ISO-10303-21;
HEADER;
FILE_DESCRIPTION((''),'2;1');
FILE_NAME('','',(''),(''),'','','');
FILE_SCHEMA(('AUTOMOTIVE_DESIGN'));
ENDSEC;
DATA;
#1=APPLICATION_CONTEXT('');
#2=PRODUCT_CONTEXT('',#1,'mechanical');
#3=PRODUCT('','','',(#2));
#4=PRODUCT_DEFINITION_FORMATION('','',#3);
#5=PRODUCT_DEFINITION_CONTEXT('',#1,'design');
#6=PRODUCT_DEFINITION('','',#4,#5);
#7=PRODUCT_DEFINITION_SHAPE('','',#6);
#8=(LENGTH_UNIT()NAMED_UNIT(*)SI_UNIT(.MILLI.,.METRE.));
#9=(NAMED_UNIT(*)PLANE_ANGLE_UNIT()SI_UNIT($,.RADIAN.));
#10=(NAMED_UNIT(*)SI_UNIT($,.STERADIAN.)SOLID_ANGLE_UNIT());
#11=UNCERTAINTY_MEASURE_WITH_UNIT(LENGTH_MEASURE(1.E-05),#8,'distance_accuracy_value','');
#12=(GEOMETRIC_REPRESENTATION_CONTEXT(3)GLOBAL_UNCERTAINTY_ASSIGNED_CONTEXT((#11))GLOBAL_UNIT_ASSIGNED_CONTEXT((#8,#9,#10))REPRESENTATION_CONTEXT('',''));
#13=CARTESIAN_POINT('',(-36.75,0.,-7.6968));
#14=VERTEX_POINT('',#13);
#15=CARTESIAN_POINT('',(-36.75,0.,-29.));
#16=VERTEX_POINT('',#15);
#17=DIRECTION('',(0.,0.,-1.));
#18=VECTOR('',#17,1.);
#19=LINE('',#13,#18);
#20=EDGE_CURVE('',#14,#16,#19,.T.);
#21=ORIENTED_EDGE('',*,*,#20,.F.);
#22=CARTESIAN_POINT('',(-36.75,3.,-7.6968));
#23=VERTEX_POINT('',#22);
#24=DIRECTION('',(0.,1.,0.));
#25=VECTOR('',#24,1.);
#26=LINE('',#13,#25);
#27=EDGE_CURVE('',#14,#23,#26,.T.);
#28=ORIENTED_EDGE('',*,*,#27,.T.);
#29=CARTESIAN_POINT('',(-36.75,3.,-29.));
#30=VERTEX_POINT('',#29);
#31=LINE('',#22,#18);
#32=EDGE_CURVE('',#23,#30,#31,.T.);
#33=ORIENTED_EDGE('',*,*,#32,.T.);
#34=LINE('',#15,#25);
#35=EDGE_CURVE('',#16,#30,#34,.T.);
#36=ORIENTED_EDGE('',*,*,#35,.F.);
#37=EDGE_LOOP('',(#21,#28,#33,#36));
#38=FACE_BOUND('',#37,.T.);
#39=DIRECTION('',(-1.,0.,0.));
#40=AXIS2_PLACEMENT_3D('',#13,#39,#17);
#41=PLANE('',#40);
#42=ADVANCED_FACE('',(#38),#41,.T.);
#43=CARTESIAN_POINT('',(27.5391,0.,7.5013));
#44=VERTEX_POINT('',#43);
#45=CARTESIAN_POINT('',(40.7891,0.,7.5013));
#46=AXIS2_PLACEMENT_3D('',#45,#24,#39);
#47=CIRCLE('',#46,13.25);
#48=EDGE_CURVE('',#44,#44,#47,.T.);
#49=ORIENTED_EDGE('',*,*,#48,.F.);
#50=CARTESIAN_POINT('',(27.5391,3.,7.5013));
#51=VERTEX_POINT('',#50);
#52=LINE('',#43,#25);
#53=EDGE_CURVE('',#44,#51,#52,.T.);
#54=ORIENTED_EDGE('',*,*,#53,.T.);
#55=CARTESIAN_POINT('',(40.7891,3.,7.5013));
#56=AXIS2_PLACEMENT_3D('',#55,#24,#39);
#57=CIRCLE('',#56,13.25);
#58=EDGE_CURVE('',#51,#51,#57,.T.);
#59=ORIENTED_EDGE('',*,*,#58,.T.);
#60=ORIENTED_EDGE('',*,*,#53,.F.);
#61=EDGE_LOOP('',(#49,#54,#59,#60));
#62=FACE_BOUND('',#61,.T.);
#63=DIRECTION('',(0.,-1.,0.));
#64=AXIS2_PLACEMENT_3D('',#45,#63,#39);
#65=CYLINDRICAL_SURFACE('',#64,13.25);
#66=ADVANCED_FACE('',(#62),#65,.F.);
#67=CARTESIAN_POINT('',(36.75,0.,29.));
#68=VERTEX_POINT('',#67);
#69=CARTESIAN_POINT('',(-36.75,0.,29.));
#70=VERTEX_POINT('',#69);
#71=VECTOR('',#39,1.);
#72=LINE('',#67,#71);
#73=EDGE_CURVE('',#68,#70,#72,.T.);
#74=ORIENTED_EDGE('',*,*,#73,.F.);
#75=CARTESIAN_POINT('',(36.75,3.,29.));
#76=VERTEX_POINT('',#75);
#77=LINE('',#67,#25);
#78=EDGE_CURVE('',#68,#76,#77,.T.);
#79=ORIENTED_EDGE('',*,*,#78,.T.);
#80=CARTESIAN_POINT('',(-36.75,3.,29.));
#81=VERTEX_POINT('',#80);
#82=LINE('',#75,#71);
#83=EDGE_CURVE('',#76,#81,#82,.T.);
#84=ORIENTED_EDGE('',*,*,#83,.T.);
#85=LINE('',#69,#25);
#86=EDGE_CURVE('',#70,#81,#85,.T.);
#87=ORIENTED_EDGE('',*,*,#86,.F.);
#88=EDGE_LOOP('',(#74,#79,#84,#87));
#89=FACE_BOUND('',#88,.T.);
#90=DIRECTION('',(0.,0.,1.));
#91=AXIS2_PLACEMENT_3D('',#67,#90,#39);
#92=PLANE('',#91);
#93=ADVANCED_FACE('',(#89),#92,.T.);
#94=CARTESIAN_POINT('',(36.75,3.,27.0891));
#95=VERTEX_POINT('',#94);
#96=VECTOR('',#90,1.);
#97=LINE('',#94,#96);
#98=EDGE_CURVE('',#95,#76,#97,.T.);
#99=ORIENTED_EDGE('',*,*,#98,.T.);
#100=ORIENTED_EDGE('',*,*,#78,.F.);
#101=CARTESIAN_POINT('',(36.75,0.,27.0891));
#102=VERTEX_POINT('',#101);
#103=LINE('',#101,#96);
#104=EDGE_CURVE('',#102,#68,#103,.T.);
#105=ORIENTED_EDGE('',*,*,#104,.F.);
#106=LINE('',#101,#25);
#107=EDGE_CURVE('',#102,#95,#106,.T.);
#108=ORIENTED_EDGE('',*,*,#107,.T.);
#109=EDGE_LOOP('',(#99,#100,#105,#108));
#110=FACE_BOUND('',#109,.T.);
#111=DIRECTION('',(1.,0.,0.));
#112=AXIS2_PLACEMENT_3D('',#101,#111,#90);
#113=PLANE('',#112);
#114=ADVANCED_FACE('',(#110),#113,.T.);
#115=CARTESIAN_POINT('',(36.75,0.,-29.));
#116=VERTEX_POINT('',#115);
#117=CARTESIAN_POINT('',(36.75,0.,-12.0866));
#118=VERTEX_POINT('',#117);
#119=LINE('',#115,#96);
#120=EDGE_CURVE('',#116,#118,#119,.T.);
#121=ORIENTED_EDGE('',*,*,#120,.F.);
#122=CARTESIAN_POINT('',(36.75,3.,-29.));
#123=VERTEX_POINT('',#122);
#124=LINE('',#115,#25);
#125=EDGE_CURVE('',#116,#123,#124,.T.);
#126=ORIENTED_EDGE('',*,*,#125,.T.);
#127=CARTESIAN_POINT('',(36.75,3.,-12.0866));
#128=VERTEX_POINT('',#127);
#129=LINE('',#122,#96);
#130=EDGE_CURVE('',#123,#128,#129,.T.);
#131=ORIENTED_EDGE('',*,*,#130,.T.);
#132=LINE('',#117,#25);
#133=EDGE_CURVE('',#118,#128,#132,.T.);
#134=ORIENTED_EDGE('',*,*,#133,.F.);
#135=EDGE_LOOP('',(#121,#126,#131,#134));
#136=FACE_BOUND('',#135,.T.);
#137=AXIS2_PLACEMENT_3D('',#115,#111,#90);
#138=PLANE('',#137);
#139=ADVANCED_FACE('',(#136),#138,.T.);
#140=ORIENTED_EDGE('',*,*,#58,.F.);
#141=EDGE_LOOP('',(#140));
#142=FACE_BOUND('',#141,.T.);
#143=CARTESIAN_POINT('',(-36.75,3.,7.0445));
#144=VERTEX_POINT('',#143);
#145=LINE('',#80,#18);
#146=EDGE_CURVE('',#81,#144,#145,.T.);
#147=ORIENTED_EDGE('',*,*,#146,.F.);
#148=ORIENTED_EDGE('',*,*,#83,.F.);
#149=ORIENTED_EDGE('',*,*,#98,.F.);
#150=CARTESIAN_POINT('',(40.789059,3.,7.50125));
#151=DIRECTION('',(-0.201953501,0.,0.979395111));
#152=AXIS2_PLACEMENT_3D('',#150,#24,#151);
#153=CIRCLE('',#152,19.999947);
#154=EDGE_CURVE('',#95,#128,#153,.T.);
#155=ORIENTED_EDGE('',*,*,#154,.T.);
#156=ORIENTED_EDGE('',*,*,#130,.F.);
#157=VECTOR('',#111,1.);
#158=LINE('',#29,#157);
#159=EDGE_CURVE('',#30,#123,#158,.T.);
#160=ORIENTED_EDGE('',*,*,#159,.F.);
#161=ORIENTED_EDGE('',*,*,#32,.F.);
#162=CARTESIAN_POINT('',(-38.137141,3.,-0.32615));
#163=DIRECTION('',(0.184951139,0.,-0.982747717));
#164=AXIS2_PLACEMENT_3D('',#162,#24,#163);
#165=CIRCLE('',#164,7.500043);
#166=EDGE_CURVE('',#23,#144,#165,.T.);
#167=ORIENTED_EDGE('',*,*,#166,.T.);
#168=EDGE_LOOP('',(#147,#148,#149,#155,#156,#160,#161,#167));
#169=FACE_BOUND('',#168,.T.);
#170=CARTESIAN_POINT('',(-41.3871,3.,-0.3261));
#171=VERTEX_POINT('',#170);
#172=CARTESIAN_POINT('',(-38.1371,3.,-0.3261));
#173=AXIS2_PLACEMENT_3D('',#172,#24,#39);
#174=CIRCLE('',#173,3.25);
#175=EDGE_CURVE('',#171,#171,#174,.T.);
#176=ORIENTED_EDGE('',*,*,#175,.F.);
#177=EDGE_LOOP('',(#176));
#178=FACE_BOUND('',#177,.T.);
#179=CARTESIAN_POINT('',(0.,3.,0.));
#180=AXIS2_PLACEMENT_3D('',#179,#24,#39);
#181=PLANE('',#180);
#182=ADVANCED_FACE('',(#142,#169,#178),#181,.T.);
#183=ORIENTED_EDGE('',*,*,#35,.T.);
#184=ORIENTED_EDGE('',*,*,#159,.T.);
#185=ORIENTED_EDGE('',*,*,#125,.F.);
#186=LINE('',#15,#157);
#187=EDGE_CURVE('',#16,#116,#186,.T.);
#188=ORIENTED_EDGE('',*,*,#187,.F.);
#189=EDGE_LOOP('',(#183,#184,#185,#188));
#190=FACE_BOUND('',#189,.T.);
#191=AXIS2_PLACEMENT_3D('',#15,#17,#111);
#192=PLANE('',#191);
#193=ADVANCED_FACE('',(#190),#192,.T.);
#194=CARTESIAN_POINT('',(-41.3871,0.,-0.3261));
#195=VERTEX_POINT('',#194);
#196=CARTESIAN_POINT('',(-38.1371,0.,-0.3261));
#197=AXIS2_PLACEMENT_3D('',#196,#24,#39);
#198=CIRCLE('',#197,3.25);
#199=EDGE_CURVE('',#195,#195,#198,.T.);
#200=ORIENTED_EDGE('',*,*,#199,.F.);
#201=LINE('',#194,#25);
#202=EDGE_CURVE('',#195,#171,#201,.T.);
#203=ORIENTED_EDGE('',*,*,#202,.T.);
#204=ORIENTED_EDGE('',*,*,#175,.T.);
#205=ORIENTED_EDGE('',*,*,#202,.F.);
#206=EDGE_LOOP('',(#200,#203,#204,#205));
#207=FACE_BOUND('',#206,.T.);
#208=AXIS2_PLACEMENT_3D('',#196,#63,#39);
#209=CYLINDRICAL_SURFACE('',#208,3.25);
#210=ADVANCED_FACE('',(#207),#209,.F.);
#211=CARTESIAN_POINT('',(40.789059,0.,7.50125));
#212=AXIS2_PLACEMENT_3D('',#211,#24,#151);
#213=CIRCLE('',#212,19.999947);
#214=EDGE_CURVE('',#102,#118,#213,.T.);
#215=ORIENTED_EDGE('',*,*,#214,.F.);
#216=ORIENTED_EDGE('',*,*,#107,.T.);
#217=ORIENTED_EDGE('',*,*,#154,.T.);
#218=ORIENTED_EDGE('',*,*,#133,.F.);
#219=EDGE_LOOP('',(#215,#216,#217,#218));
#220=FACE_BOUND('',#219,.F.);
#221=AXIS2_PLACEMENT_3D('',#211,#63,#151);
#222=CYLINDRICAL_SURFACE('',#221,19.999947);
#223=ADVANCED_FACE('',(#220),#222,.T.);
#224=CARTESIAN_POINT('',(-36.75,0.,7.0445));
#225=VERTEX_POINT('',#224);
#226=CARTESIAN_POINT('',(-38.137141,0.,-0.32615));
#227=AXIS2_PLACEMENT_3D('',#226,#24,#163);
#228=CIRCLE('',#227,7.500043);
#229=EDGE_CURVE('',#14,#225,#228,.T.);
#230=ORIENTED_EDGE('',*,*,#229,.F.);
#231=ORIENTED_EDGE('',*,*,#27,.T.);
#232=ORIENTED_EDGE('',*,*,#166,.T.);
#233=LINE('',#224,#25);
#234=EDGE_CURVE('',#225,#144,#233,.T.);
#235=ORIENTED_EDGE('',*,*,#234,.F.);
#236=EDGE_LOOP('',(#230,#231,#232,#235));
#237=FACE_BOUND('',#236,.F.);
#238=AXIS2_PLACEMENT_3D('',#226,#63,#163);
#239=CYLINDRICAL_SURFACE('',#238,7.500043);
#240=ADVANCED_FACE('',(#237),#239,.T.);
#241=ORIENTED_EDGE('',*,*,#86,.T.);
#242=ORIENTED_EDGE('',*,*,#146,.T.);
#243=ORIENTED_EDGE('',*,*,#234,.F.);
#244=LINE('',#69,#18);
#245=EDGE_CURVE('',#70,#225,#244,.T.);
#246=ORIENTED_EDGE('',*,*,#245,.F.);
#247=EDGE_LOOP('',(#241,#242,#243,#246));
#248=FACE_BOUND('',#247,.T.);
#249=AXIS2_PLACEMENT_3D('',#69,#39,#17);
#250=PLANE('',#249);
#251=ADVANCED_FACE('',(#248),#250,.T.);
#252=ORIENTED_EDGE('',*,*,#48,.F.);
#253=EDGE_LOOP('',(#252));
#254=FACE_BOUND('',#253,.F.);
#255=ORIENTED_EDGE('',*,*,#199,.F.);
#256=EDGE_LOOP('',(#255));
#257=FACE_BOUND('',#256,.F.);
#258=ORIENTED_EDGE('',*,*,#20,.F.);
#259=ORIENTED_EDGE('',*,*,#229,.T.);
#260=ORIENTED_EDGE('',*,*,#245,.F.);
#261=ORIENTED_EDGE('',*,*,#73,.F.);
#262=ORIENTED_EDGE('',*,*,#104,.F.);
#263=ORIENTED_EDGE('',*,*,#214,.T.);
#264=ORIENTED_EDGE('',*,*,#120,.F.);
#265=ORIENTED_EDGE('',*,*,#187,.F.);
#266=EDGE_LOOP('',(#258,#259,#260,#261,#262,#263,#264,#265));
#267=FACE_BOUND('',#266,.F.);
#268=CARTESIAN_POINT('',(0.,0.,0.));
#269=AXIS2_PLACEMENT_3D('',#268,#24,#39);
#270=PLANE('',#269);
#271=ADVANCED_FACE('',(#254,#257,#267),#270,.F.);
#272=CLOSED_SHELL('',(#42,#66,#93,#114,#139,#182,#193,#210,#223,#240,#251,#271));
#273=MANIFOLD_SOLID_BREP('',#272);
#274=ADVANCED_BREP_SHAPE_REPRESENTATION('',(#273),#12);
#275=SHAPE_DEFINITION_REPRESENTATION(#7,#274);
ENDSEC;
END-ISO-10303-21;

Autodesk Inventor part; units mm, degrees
ref_plane "YZ Plane" through (0, 0, 0) normal (1, 0, 0) x (0, 1, 0)
ref_plane "XZ Plane" through (0, 0, 0) normal (0, 1, 0) x (-1, 0, 0)
ref_plane "XY Plane" through (0, 0, 0) normal (0, 0, 1) x (1, 0, 0)
sketch "Sketch1" plane through (0, 0, 0) normal (0, 1, 0) x (-1, 0, 0)
  line L0 (36.75, 29) -> (36.75, 7.0445)
  line L1 (36.75, -29) -> (-36.75, -29)
  line L2 (-36.75, -29) -> (-36.75, -12.0866)
  line L3 (-36.75, 29) -> (36.75, 29)
  line L4 (36.75, 29) -> (-36.75, -29) construction
  line L5 (36.75, -29) -> (-36.75, 29) construction
  line L6 (-36.75, 27.0891) -> (-36.75, 29)
  arc A0 (36.75, -7.6968) -> (36.75, 7.0445) centre (38.1371, -0.3261) ccw
  circle A1 centre (38.1371, -0.3261) radius 3.25
  line L7 (36.75, -7.6968) -> (36.75, -29)
  arc A2 (-36.75, 27.0891) -> (-36.75, -12.0866) centre (-40.7891, 7.5013) ccw
  circle A3 centre (-40.7891, 7.5013) radius 13.25
  point P0 (0, 0)
  dimension "d0" = 58
  dimension "d1" = 73.5
  dimension "d7" = 6.5
  dimension "d8" = 40
  dimension "d9" = 26.5
extrude "Extrusion1" add sketch "Sketch1" along normal blind 3
properties part number "Controller_faceplate_v0.1"
